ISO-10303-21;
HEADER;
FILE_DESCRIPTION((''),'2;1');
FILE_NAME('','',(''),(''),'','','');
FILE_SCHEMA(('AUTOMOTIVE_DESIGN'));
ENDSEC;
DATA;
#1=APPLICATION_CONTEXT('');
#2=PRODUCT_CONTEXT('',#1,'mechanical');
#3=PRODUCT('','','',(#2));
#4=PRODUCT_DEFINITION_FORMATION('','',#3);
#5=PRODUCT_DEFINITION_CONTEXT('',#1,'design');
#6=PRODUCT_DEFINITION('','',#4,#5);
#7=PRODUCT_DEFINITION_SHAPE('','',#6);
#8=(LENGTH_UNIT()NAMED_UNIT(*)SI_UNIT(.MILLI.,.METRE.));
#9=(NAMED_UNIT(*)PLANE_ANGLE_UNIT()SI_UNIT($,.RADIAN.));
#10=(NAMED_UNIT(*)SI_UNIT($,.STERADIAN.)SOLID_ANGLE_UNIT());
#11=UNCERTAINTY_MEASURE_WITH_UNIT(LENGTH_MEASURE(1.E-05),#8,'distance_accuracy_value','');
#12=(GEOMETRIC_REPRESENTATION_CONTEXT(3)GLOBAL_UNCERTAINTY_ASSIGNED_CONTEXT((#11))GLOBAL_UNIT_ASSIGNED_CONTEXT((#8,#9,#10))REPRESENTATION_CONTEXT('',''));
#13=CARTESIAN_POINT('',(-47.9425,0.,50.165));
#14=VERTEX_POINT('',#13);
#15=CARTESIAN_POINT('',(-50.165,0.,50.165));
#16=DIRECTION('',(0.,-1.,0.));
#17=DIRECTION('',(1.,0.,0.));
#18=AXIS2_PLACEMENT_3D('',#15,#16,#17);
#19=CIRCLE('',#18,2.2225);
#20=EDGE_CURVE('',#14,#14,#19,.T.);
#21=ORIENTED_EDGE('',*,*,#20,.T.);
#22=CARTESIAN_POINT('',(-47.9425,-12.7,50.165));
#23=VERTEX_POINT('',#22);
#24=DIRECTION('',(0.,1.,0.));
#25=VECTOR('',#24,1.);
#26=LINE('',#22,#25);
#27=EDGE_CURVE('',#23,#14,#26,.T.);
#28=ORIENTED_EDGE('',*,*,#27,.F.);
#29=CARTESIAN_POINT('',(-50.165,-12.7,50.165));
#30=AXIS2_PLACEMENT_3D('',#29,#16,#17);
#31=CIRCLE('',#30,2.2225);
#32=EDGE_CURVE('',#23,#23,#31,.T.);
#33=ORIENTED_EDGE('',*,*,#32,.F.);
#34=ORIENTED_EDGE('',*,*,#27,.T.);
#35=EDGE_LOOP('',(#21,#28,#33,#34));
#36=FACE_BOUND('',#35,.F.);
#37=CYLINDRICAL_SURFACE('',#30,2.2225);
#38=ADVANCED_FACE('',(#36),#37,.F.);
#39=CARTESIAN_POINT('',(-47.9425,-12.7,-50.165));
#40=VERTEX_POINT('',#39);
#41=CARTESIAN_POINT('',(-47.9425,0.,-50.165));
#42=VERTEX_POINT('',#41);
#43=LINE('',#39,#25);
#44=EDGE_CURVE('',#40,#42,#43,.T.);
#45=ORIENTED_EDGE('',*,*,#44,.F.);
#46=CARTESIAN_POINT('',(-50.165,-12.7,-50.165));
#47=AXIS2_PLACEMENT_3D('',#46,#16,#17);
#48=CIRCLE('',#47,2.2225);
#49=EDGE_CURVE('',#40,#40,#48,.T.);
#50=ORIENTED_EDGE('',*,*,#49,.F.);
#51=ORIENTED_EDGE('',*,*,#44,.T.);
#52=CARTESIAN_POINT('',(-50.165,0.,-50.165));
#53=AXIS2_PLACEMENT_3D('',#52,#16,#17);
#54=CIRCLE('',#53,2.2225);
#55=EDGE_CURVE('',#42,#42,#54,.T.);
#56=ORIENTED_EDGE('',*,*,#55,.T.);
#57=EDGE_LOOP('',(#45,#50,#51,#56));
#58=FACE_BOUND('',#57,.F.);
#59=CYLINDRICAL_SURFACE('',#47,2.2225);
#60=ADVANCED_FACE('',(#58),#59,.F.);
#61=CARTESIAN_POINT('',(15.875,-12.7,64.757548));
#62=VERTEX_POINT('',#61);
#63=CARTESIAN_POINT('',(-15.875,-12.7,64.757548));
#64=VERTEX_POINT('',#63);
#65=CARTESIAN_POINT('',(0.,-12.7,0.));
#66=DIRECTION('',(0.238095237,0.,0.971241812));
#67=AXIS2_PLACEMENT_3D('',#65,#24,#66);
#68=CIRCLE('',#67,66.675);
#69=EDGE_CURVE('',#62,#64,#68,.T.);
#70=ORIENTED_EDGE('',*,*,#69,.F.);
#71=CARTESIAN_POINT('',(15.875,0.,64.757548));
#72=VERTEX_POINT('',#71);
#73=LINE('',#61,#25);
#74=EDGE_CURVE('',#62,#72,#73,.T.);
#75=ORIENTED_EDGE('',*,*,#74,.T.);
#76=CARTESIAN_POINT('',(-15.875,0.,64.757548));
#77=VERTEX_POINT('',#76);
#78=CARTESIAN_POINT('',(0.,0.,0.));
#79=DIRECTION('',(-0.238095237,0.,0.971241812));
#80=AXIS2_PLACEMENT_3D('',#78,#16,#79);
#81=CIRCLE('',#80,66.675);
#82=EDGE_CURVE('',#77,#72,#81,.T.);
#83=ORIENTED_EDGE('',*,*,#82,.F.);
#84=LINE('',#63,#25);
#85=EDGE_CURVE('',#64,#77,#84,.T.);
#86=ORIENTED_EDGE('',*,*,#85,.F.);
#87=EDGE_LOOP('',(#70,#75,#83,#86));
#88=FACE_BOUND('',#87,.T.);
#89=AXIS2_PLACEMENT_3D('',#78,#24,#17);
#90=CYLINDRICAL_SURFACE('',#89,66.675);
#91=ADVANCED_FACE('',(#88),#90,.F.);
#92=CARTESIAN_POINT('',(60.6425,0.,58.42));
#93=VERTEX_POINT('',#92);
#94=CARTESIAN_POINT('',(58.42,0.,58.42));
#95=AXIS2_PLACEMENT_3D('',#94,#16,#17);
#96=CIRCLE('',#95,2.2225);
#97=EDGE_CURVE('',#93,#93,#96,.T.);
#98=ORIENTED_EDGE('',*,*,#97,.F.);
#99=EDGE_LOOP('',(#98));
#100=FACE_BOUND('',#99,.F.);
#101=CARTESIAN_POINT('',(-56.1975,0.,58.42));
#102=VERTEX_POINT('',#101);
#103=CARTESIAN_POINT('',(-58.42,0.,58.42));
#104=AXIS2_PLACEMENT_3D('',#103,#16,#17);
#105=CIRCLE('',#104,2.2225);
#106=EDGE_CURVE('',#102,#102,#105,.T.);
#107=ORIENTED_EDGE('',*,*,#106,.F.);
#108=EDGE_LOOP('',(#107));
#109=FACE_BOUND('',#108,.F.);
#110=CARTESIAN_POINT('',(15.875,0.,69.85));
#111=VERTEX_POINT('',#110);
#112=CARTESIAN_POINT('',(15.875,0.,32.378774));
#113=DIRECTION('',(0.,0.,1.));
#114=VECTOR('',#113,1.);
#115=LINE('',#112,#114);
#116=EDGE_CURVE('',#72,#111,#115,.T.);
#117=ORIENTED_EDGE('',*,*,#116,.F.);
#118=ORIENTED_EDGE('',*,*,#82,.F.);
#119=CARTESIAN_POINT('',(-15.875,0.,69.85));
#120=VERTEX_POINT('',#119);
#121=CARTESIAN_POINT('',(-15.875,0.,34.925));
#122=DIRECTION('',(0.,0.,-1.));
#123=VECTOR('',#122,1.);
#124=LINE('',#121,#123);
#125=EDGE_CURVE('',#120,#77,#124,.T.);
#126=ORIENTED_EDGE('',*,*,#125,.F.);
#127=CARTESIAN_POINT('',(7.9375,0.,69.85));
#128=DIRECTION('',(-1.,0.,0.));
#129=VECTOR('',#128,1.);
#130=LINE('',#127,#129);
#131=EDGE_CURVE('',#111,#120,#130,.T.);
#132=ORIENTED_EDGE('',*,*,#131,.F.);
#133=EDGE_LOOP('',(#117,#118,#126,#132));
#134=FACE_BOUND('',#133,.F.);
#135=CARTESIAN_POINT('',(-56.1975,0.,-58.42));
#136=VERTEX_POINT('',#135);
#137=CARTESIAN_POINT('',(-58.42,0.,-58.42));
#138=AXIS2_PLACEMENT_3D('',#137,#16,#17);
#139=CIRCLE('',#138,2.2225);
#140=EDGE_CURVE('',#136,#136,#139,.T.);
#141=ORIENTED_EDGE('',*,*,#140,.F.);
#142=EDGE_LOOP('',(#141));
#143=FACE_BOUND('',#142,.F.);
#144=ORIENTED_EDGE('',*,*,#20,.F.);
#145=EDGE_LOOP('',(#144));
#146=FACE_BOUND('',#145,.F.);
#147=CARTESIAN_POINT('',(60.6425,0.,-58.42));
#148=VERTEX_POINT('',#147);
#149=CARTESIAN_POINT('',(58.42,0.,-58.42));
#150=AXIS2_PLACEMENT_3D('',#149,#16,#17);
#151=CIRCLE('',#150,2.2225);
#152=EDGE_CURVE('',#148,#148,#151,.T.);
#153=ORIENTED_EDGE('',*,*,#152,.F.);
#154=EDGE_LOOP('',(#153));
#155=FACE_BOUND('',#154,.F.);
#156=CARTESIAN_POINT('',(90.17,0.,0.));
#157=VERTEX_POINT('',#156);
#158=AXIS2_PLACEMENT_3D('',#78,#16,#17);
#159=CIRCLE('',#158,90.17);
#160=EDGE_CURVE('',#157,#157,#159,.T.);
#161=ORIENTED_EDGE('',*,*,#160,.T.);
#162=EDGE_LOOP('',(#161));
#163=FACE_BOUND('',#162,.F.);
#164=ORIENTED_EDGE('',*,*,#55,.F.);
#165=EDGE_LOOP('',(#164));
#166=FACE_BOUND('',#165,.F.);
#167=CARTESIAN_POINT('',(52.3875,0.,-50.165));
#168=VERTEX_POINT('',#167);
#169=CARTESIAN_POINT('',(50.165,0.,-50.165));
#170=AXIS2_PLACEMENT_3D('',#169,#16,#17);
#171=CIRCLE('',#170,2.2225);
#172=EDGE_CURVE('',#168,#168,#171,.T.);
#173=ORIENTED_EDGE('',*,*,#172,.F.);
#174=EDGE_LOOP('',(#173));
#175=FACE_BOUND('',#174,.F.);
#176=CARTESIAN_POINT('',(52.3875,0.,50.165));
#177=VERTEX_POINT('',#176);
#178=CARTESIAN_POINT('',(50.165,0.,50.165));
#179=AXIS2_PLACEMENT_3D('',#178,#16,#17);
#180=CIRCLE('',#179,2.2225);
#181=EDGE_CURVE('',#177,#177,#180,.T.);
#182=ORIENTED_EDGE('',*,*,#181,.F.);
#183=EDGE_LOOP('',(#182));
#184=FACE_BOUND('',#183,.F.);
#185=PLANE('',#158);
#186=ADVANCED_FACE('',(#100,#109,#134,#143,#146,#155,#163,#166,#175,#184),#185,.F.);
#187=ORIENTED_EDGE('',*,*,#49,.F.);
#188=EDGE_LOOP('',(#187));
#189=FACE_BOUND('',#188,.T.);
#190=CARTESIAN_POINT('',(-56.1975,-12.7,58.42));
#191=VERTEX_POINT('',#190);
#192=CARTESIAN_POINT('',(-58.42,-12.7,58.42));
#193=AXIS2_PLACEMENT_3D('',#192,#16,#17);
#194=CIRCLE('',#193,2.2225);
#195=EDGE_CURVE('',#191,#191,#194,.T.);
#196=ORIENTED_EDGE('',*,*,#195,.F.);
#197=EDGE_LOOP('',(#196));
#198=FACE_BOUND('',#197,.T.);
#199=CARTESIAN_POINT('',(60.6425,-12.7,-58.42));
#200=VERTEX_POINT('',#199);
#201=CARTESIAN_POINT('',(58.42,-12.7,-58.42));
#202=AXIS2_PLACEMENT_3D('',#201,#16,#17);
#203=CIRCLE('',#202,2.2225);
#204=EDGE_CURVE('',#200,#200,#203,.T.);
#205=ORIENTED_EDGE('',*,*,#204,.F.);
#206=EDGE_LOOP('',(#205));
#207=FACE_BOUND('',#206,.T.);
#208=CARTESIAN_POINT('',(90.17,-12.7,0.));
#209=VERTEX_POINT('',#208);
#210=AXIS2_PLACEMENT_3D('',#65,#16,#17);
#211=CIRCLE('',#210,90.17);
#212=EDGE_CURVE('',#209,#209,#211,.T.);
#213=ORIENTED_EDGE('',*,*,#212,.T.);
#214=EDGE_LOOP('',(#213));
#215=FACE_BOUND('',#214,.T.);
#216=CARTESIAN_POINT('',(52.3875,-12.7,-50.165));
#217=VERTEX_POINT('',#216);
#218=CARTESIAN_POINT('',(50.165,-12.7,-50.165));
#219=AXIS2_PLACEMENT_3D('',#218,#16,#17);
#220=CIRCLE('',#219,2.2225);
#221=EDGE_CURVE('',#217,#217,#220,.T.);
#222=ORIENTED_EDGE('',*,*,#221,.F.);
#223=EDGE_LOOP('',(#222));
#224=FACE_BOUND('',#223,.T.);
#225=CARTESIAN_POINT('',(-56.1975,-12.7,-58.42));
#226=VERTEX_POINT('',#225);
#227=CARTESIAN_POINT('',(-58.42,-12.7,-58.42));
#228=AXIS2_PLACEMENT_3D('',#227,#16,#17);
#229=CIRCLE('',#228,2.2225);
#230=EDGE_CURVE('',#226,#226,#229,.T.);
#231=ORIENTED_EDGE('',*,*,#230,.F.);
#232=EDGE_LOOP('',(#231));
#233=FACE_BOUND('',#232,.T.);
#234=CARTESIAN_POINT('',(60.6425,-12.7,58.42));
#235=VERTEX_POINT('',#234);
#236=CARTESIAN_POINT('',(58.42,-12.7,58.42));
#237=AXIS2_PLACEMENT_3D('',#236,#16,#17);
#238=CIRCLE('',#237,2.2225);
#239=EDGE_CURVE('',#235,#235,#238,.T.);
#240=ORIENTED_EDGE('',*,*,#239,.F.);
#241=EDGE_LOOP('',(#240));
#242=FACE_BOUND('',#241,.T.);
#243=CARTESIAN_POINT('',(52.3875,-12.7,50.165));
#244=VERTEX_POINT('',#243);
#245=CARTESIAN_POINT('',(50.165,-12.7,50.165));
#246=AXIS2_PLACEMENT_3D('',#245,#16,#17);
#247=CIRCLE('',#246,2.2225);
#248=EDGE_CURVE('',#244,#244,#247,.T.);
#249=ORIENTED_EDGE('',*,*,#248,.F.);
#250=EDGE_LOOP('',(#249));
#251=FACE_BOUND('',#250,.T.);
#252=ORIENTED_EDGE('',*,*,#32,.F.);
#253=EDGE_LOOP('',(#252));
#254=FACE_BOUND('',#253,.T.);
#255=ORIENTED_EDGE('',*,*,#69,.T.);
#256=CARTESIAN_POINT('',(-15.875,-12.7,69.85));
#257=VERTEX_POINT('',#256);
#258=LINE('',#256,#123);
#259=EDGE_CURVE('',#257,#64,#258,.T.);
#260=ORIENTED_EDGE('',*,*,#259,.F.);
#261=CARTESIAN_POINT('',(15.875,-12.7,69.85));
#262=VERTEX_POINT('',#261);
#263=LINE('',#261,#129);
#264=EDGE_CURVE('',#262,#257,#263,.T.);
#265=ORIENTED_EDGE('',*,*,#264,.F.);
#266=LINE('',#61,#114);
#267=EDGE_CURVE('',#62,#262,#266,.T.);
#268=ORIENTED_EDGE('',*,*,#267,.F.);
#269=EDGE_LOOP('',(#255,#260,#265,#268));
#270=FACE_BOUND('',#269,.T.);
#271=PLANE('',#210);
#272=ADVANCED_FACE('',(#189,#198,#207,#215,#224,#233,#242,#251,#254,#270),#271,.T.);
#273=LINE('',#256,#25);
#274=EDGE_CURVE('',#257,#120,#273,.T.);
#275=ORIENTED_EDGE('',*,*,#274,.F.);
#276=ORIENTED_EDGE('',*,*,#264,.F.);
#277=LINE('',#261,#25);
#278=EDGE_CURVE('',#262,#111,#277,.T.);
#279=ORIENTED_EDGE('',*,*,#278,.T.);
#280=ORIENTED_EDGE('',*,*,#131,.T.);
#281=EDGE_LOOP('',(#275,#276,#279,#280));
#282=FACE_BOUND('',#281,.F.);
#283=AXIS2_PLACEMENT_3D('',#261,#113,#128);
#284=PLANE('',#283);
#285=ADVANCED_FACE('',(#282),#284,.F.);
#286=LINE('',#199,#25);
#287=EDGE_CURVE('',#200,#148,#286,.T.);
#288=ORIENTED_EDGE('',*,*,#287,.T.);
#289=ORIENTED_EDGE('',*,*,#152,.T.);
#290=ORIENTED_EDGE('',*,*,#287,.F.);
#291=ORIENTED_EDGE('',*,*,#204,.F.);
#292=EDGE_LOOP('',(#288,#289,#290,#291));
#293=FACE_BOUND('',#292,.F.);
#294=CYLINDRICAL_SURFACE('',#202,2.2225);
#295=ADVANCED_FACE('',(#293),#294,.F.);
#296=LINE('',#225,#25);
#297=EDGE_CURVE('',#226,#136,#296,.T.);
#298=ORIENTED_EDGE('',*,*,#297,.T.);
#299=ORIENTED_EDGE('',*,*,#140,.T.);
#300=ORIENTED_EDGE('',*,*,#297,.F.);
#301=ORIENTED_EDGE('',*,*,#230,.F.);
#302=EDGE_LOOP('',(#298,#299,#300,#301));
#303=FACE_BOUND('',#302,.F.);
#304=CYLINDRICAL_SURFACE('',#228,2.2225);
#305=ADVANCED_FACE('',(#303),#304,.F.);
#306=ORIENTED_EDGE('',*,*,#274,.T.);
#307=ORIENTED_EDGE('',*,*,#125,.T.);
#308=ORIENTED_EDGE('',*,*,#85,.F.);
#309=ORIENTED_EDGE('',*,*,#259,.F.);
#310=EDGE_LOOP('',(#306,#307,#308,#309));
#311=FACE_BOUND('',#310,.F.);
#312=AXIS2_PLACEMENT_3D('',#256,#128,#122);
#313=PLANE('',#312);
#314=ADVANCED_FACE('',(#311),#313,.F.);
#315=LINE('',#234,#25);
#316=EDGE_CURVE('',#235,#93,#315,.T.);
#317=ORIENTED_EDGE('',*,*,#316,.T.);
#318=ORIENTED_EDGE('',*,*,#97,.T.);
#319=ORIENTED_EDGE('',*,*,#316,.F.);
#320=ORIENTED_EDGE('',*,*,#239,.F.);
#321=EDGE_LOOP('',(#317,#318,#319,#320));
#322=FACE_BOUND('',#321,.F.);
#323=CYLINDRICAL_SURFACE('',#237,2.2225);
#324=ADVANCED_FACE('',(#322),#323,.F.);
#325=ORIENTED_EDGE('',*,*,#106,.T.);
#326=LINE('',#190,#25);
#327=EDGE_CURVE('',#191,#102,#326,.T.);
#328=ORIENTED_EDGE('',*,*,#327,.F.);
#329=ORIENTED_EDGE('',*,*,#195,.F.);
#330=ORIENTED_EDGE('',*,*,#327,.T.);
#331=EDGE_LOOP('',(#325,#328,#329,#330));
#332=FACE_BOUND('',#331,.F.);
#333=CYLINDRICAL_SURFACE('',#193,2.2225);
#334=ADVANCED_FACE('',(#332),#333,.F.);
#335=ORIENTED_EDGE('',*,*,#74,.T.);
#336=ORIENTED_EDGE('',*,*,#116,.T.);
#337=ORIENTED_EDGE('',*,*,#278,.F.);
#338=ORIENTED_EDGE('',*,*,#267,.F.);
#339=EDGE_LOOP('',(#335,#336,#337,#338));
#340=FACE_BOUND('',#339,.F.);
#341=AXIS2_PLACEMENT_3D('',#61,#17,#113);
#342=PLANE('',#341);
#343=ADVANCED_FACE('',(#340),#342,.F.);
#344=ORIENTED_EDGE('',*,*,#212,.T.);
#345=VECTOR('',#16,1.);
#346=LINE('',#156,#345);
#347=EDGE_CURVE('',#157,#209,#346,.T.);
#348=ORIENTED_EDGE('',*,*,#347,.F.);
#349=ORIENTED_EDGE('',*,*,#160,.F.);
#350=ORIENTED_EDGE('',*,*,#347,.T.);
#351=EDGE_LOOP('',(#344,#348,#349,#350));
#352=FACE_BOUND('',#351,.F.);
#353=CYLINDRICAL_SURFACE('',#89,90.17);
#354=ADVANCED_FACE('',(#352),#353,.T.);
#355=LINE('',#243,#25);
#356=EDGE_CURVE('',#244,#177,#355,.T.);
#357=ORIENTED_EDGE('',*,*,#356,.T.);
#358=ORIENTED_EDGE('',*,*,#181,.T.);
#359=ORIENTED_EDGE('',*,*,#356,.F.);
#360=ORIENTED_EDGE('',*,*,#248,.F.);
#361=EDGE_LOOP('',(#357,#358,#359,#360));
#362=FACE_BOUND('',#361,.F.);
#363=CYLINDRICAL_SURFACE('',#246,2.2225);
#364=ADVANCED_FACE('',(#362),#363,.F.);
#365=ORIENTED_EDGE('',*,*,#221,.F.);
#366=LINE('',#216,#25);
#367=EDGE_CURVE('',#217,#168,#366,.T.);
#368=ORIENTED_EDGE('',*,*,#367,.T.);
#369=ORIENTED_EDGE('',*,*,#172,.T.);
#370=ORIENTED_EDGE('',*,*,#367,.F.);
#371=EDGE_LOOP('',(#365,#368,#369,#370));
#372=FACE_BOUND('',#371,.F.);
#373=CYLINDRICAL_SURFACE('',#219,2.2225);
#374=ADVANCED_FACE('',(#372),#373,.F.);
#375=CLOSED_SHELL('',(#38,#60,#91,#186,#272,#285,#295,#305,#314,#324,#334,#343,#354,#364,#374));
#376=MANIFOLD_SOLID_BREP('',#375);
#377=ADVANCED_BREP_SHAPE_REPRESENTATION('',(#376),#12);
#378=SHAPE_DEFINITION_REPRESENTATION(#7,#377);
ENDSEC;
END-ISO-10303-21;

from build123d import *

# Parameters (mm, degrees)
F0_R     = 90.17
F0_R_2   = 66.675
F1_DEPTH = 12.7
F2_R     = 2.2225
F3_DEPTH = 12.701
F5_DEPTH = 12.701


with BuildPart() as f1:
    # F0 (on Front) → F1 (new body)
    with BuildSketch(Plane.XZ):
        Circle(F0_R)
        Circle(F0_R_2, mode=Mode.SUBTRACT)
    extrude(amount=F1_DEPTH)

    # F2 (on face) → F3 (cut, through all)
    with BuildSketch(Plane.XZ.offset(12.7)):
        with Locations((-58.42, 58.42)):
            Circle(F2_R)
        with Locations((-50.165, 50.165)):
            Circle(F2_R)
        with Locations((50.165, 50.165)):
            Circle(F2_R)
        with Locations((58.42, 58.42)):
            Circle(F2_R)
        with Locations((50.165, -50.165)):
            Circle(F2_R)
        with Locations((58.42, -58.42)):
            Circle(F2_R)
        with Locations((-58.42, -58.42)):
            Circle(F2_R)
        with Locations((-50.165, -50.165)):
            Circle(F2_R)
    extrude(amount=-F3_DEPTH, mode=Mode.SUBTRACT)

    # F4 (on face) → F5 (cut, through all)
    with BuildSketch(Plane.XZ.offset(12.7)):
        with BuildLine():
            Line((15.875, 69.85), (-15.875, 69.85))
            Line((-15.875, 69.85), (-15.875, 64.757548))
            ThreePointArc((-15.875, 64.757548), (0, 66.675), (15.875, 64.757548))
            Line((15.875, 64.757548), (15.875, 69.85))
        make_face()
    extrude(amount=-F5_DEPTH, mode=Mode.SUBTRACT)


solid = f1.part
